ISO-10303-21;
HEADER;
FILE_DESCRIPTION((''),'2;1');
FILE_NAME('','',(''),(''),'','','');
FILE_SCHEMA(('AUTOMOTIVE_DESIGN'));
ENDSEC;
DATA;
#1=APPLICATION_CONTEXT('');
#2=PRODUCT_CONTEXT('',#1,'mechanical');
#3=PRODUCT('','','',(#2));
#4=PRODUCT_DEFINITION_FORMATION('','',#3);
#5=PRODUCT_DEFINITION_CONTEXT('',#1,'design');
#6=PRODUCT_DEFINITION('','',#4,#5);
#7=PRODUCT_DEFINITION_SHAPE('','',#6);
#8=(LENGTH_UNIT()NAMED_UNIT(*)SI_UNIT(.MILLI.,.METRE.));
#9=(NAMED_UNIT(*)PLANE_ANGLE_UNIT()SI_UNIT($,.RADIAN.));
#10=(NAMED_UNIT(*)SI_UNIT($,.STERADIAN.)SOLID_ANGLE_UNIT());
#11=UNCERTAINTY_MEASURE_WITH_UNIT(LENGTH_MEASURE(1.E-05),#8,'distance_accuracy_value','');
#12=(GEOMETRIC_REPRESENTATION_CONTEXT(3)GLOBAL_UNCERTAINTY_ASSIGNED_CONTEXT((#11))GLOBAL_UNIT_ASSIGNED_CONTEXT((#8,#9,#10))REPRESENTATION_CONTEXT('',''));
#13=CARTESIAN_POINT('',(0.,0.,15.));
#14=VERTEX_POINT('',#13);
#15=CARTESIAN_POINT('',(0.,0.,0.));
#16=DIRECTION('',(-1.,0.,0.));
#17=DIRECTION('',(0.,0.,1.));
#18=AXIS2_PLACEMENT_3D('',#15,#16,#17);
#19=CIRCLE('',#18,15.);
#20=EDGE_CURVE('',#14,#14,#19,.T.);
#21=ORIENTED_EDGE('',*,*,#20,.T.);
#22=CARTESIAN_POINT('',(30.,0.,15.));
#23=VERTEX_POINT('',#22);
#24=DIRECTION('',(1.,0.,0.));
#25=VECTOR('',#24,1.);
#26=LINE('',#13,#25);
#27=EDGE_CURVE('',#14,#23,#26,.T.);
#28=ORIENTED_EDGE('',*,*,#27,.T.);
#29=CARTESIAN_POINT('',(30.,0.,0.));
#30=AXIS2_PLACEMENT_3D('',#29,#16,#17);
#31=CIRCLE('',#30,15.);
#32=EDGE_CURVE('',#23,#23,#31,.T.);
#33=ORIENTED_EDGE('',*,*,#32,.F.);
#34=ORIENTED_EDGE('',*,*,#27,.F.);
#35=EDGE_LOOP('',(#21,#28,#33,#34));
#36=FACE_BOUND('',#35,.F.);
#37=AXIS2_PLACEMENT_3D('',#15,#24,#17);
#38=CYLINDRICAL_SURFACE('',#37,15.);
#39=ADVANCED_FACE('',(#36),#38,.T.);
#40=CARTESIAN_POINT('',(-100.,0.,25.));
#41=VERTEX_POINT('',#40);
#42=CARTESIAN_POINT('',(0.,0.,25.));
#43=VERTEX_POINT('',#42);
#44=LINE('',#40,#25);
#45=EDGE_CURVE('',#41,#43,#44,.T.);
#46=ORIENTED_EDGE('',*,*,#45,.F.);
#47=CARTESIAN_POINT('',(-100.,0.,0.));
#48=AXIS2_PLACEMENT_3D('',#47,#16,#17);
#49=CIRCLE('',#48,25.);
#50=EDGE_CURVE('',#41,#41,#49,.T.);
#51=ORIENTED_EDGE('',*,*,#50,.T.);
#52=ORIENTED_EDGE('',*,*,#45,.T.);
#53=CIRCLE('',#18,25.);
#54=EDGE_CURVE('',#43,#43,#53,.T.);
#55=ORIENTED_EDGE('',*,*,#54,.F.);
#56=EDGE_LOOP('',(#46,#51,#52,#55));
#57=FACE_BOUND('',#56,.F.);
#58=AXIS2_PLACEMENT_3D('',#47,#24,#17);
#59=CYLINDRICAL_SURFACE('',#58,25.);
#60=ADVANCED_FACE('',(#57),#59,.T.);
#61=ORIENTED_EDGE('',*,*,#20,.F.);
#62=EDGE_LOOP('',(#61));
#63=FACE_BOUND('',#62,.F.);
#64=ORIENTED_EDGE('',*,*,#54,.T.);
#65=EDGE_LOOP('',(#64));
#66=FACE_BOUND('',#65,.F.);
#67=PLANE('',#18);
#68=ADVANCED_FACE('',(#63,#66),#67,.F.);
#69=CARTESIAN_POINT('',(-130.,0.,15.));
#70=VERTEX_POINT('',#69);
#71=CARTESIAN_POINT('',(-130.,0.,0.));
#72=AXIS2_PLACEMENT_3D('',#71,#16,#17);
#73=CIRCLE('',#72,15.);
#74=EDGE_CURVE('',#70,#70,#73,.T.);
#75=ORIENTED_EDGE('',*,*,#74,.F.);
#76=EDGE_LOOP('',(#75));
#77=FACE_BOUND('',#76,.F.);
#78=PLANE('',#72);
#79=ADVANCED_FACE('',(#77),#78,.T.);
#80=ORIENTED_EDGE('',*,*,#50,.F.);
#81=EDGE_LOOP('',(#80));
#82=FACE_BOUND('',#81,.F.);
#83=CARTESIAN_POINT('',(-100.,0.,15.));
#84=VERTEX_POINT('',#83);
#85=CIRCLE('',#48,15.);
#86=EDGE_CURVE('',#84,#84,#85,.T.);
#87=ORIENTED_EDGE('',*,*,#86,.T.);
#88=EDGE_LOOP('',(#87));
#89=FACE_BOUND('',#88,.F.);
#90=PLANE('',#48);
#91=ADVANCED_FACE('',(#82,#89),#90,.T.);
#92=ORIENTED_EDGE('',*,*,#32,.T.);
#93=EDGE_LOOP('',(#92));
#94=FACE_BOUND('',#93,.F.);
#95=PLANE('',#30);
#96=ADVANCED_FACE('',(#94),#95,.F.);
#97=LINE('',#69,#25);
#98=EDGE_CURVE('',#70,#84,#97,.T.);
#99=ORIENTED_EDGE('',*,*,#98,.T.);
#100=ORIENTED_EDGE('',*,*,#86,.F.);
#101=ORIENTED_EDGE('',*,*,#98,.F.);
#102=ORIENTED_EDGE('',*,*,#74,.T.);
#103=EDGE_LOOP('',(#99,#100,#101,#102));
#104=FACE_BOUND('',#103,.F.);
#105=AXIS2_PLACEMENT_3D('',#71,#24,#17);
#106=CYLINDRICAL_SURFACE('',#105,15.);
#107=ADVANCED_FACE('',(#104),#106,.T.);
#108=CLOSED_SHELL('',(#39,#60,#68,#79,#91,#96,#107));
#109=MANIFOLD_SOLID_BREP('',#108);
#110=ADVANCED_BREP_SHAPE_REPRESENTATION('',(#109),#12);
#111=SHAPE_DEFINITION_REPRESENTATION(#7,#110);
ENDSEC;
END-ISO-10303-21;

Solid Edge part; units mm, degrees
sketch "Sketch1" plane through (0, 0, 0) normal (0, -1, 0) x (1, 0, 0)
  line L0 (-130, 0) -> (-130, 15)
  line L1 (-130, 15) -> (-100, 15)
  line L2 (-100, 15) -> (-100, 25)
  line L3 (-100, 25) -> (0, 25)
  line L4 (0, 25) -> (0, 15)
  line L5 (0, 15) -> (30, 15)
  line L6 (30, 15) -> (30, 0)
  dimension "D1" = 100
revolve "RevolvedProtrusion1" add sketch "Sketch1" angle 360 about axis through (14.8745, 0, 0) along (-1, 0, 0)
properties material "Steel"
